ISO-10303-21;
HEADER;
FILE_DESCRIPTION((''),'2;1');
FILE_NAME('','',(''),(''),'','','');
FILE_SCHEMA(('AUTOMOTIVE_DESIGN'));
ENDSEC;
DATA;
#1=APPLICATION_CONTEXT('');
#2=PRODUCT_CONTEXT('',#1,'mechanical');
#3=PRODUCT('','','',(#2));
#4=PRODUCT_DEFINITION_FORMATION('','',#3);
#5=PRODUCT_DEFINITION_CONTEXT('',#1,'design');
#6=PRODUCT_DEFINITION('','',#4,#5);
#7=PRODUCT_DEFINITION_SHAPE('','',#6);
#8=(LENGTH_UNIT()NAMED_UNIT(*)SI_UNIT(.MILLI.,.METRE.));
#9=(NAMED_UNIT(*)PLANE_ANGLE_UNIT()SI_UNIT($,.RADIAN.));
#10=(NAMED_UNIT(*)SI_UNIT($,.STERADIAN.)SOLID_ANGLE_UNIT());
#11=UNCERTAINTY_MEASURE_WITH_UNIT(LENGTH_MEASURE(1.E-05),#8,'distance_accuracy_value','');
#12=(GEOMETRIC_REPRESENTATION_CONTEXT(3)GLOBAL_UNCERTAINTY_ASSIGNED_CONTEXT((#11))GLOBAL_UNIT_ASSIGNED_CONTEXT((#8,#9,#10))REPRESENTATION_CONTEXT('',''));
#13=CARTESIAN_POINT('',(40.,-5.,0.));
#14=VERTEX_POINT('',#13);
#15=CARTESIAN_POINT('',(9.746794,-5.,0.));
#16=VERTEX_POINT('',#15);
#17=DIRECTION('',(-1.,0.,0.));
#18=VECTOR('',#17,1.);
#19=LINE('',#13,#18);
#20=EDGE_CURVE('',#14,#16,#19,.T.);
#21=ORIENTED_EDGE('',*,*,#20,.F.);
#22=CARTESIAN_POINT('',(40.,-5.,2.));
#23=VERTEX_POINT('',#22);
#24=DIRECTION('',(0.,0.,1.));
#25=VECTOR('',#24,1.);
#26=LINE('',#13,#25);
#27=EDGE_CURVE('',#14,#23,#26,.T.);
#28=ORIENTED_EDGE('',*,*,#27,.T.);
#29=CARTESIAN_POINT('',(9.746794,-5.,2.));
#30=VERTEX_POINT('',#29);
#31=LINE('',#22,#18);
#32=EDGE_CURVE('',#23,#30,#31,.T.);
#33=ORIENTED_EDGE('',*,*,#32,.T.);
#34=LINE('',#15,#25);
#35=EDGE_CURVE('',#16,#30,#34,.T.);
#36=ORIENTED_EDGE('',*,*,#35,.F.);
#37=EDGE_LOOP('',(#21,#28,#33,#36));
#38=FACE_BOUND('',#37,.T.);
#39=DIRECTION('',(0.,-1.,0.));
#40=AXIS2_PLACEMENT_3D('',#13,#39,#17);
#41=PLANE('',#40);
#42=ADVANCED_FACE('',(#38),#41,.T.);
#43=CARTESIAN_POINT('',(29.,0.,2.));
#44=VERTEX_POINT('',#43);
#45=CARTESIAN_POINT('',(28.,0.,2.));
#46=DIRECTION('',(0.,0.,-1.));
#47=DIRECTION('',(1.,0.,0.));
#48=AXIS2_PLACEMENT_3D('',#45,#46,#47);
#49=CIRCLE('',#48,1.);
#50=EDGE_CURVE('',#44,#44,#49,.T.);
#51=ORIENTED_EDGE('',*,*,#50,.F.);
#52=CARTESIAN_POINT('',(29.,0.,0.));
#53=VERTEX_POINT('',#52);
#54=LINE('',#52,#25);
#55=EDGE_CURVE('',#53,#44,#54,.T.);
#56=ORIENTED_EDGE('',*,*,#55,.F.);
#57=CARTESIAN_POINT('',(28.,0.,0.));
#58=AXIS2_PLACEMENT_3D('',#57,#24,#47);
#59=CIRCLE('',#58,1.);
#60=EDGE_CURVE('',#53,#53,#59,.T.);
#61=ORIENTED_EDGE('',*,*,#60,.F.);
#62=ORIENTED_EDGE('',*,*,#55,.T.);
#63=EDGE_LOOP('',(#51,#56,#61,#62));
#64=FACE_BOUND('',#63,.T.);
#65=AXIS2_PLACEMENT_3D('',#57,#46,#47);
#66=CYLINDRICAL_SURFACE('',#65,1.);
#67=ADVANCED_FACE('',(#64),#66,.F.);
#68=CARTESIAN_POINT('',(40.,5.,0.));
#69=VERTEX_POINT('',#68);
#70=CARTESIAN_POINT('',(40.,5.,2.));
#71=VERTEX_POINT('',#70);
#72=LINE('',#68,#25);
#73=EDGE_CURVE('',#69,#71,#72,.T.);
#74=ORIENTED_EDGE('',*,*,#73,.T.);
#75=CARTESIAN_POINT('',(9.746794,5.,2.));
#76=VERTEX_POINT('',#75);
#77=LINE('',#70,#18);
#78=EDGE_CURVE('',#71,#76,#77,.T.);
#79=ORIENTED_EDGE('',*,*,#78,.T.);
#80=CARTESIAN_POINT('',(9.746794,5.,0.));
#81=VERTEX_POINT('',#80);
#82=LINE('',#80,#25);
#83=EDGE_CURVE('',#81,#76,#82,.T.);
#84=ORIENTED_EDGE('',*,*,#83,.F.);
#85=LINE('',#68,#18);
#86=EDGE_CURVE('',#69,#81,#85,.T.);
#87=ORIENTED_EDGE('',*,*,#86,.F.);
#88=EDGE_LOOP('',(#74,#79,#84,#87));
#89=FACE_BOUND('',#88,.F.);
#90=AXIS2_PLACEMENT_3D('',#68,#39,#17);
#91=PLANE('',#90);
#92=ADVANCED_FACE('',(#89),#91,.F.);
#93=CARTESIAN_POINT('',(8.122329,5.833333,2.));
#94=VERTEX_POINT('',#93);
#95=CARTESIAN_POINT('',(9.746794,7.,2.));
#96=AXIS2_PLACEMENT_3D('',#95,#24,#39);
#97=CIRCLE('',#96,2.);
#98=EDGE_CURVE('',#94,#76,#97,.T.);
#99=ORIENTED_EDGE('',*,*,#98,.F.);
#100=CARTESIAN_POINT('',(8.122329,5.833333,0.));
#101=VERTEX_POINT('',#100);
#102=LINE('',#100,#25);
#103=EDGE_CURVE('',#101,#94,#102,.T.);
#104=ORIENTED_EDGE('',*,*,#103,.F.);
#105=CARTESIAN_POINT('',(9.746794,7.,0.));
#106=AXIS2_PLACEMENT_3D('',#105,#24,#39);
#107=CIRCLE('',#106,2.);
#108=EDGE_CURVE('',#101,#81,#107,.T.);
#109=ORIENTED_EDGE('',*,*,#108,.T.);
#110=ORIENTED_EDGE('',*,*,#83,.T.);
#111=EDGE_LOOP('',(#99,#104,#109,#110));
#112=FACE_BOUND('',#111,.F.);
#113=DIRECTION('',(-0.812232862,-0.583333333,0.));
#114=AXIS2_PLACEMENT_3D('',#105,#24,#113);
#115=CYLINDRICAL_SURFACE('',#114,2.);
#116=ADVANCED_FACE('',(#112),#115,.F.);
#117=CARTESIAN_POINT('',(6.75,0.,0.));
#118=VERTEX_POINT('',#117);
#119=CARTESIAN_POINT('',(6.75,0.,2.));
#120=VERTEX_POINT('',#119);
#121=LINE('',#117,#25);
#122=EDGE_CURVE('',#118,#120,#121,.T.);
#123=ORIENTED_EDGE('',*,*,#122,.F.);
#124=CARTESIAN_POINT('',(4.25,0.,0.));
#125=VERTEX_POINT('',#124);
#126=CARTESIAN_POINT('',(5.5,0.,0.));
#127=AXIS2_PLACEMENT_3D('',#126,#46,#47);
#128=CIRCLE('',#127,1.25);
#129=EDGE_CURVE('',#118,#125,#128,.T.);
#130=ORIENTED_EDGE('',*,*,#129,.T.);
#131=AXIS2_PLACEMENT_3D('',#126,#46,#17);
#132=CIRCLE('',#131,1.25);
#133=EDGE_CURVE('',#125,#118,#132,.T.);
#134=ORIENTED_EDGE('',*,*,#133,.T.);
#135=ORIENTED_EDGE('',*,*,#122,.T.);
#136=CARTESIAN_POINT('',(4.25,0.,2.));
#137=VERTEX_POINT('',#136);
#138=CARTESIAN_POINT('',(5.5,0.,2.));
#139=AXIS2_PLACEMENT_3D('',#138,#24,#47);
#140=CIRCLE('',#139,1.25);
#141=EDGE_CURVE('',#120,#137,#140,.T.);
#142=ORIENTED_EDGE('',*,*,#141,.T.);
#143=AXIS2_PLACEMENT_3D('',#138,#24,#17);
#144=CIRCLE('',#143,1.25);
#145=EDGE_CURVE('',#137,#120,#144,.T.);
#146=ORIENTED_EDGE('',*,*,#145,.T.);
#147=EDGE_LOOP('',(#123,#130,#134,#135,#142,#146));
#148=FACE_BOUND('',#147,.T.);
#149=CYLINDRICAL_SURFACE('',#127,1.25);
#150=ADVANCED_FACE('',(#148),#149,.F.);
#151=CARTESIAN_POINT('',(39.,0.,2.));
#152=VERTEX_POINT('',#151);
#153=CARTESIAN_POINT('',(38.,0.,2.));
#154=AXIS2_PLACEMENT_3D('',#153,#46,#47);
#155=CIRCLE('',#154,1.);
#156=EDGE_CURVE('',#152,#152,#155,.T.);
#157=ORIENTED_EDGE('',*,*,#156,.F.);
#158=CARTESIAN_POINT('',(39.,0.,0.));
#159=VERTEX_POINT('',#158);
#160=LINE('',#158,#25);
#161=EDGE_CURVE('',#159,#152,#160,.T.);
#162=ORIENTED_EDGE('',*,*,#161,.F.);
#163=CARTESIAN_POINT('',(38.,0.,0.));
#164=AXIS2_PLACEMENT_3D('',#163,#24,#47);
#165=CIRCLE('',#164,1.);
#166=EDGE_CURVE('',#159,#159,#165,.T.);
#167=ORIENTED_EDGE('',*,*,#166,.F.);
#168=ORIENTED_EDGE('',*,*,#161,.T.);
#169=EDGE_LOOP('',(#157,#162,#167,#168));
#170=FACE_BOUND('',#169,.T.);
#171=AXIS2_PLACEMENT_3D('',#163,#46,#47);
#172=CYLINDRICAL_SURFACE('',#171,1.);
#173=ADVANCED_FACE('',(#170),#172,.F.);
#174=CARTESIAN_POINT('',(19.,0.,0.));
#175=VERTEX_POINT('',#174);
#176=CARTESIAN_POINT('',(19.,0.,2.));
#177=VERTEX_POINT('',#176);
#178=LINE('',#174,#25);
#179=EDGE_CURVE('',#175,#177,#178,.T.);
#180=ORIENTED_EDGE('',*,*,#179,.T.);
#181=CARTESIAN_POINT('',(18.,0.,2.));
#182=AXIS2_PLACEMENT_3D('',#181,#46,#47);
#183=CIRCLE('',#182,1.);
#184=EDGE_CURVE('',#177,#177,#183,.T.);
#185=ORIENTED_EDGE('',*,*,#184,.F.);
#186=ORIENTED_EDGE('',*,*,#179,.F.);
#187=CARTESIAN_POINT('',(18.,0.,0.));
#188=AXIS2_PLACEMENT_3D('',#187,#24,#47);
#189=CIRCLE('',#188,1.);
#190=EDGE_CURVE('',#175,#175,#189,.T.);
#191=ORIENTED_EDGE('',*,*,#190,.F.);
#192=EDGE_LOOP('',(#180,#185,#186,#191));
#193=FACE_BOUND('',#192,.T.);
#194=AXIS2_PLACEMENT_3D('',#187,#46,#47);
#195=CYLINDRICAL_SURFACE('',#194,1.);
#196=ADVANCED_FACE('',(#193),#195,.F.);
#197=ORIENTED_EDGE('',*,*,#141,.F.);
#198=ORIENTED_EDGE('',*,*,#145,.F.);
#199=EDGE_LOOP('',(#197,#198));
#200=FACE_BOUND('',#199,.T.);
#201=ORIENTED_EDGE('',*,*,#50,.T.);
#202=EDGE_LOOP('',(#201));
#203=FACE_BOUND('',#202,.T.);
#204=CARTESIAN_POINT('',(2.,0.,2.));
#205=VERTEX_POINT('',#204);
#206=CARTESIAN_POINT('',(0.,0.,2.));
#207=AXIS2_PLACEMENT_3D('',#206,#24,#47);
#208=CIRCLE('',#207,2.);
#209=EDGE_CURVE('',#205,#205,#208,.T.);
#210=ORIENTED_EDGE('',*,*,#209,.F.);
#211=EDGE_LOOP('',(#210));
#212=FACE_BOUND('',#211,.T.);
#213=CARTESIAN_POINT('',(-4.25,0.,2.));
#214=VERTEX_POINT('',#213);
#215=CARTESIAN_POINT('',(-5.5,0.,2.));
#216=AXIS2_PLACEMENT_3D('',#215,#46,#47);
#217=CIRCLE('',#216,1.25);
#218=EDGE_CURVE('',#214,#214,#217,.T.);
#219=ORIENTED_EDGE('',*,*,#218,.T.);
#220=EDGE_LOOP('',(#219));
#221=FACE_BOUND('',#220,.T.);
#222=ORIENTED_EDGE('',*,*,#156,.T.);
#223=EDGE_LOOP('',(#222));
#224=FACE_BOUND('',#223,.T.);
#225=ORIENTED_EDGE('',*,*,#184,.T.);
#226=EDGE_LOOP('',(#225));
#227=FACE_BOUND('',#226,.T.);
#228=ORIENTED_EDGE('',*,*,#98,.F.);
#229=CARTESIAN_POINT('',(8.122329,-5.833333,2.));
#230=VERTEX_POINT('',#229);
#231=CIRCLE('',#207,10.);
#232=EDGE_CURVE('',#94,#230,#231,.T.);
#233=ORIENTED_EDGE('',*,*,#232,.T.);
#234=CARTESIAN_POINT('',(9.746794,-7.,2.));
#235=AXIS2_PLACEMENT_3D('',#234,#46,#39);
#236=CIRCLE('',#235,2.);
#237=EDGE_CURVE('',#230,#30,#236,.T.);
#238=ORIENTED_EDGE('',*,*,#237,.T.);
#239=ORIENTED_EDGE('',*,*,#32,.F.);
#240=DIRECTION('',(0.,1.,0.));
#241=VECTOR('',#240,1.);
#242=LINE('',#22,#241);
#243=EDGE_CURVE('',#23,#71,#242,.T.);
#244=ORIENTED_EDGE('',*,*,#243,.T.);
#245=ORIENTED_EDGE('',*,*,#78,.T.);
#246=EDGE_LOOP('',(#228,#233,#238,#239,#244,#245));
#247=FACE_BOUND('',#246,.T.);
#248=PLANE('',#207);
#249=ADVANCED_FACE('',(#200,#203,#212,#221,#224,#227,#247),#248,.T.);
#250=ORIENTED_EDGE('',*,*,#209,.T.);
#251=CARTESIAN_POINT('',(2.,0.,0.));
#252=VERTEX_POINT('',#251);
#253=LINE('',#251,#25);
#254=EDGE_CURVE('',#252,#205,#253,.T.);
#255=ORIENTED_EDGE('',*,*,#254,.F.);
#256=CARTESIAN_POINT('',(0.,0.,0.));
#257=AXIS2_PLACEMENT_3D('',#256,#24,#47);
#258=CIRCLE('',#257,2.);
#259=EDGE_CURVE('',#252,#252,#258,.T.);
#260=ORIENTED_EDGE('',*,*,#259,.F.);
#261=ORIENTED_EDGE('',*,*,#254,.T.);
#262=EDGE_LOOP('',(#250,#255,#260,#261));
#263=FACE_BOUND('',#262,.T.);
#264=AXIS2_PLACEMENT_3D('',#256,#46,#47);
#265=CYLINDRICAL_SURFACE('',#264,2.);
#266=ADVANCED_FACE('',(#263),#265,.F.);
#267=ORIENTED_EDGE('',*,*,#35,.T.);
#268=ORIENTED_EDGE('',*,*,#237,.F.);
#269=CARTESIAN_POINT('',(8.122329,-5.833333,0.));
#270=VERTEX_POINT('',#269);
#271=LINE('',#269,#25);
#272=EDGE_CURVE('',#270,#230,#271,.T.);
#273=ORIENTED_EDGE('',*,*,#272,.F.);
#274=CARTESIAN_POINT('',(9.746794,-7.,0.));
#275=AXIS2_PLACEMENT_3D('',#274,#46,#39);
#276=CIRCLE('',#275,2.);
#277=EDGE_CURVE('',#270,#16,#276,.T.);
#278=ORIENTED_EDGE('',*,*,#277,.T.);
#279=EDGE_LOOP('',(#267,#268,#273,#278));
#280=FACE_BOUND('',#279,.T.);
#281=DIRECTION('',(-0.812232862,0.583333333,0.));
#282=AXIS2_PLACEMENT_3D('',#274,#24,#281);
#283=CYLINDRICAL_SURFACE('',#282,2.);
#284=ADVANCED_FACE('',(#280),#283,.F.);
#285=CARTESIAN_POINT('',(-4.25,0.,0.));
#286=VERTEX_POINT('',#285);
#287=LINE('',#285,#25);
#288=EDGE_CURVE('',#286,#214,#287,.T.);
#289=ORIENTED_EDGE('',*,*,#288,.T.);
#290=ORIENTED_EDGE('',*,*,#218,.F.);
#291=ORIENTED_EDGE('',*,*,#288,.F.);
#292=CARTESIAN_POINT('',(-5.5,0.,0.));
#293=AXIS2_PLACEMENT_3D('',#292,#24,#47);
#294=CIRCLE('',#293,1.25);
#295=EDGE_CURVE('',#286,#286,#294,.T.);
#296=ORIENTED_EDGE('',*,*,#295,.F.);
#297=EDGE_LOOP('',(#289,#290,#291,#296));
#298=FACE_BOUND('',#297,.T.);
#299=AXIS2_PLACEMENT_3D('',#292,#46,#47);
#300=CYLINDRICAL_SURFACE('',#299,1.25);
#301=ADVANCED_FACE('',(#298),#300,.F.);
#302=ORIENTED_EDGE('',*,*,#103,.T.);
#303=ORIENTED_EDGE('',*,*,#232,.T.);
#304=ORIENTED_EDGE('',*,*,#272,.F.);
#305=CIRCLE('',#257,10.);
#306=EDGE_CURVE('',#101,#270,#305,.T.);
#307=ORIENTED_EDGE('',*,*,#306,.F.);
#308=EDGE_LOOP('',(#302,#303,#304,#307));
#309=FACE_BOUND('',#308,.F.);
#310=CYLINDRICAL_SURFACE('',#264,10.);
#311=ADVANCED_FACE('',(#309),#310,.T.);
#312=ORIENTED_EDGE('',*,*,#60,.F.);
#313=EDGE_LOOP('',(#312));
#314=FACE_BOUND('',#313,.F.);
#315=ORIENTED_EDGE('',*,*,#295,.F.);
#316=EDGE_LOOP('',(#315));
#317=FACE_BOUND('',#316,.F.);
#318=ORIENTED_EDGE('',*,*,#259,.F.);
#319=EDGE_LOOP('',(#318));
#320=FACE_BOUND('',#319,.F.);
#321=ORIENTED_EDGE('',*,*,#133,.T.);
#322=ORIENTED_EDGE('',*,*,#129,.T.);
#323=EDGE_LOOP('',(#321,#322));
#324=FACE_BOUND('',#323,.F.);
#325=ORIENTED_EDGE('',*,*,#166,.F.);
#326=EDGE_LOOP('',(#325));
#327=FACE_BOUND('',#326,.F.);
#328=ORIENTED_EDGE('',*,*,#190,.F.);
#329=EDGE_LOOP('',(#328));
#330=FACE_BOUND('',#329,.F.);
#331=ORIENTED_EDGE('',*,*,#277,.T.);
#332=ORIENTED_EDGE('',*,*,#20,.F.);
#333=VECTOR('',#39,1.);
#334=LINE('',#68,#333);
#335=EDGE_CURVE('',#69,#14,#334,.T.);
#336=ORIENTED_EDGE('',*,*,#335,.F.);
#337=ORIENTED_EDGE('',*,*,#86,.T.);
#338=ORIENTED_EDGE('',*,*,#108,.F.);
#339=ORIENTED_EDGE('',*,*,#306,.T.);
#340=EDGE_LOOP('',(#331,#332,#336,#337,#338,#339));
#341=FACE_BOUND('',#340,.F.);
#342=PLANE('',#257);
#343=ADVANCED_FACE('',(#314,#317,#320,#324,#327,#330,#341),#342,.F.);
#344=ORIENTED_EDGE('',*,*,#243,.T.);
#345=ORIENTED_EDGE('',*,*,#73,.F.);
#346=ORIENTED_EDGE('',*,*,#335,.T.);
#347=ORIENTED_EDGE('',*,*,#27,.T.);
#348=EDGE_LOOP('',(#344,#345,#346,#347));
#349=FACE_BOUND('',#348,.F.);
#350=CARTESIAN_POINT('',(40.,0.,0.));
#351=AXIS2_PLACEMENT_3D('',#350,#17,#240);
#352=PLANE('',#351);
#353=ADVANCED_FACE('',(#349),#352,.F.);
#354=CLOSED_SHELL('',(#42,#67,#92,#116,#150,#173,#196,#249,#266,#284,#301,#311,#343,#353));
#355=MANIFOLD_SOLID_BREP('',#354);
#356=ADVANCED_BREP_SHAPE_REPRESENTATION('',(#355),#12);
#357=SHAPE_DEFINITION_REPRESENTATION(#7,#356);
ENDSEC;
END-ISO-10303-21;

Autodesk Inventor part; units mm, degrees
ref_plane "YZ Plane" through (0, 0, 0) normal (1, 0, 0) x (0, 1, 0)
ref_plane "XZ Plane" through (0, 0, 0) normal (0, 1, 0) x (-1, 0, 0)
ref_plane "XY Plane" through (0, 0, 0) normal (0, 0, 1) x (1, 0, 0)
sketch "スケッチ5" plane through (0, 0, 0) normal (0, 0, 1) x (1, 0, 0)
  circle A0 centre (0, 0) radius 2
  circle A1 centre (0, 0) radius 10
  line L0 (0, 0) -> (40, 0)
  line L1 (40, 0) -> (40, -5)
  line L2 (40, -5) -> (8.6603, -5)
  line L3 (40, 0) -> (40, 5)
  line L4 (40, 5) -> (8.6603, 5)
  circle A2 centre (18, 0) radius 1
  circle A3 centre (28, 0) radius 1
  circle A4 centre (38, 0) radius 1
  circle A5 centre (0, 0) radius 5.5
  circle A6 centre (-5.5, 0) radius 1.25
  circle A7 centre (5.5, 0) radius 1.25
  dimension "d31" = 4
  dimension "d32" = 20
  dimension "d33" = 40
  dimension "d34" = 5
  dimension "d35" = 5
  dimension "d36" = 2
  dimension "d37" = 2
  dimension "d38" = 2
  dimension "d39" = 11
  dimension "d40" = 2.5
  dimension "d41" = 2.5
extrude "押し出し5" add sketch "スケッチ5" along normal blind 2 contours A7 A5 A6 | A1 | A1 L4 L3 L0 A4 A3 A2 | L0 A2 A3 A4 L1 L2 A1
fillet "フィレット2" radius 2 2 edges at (8.6603, 5, 1) (8.6603, -5, 1)
properties part number "cutter_board" material "ABS プラスチック"
